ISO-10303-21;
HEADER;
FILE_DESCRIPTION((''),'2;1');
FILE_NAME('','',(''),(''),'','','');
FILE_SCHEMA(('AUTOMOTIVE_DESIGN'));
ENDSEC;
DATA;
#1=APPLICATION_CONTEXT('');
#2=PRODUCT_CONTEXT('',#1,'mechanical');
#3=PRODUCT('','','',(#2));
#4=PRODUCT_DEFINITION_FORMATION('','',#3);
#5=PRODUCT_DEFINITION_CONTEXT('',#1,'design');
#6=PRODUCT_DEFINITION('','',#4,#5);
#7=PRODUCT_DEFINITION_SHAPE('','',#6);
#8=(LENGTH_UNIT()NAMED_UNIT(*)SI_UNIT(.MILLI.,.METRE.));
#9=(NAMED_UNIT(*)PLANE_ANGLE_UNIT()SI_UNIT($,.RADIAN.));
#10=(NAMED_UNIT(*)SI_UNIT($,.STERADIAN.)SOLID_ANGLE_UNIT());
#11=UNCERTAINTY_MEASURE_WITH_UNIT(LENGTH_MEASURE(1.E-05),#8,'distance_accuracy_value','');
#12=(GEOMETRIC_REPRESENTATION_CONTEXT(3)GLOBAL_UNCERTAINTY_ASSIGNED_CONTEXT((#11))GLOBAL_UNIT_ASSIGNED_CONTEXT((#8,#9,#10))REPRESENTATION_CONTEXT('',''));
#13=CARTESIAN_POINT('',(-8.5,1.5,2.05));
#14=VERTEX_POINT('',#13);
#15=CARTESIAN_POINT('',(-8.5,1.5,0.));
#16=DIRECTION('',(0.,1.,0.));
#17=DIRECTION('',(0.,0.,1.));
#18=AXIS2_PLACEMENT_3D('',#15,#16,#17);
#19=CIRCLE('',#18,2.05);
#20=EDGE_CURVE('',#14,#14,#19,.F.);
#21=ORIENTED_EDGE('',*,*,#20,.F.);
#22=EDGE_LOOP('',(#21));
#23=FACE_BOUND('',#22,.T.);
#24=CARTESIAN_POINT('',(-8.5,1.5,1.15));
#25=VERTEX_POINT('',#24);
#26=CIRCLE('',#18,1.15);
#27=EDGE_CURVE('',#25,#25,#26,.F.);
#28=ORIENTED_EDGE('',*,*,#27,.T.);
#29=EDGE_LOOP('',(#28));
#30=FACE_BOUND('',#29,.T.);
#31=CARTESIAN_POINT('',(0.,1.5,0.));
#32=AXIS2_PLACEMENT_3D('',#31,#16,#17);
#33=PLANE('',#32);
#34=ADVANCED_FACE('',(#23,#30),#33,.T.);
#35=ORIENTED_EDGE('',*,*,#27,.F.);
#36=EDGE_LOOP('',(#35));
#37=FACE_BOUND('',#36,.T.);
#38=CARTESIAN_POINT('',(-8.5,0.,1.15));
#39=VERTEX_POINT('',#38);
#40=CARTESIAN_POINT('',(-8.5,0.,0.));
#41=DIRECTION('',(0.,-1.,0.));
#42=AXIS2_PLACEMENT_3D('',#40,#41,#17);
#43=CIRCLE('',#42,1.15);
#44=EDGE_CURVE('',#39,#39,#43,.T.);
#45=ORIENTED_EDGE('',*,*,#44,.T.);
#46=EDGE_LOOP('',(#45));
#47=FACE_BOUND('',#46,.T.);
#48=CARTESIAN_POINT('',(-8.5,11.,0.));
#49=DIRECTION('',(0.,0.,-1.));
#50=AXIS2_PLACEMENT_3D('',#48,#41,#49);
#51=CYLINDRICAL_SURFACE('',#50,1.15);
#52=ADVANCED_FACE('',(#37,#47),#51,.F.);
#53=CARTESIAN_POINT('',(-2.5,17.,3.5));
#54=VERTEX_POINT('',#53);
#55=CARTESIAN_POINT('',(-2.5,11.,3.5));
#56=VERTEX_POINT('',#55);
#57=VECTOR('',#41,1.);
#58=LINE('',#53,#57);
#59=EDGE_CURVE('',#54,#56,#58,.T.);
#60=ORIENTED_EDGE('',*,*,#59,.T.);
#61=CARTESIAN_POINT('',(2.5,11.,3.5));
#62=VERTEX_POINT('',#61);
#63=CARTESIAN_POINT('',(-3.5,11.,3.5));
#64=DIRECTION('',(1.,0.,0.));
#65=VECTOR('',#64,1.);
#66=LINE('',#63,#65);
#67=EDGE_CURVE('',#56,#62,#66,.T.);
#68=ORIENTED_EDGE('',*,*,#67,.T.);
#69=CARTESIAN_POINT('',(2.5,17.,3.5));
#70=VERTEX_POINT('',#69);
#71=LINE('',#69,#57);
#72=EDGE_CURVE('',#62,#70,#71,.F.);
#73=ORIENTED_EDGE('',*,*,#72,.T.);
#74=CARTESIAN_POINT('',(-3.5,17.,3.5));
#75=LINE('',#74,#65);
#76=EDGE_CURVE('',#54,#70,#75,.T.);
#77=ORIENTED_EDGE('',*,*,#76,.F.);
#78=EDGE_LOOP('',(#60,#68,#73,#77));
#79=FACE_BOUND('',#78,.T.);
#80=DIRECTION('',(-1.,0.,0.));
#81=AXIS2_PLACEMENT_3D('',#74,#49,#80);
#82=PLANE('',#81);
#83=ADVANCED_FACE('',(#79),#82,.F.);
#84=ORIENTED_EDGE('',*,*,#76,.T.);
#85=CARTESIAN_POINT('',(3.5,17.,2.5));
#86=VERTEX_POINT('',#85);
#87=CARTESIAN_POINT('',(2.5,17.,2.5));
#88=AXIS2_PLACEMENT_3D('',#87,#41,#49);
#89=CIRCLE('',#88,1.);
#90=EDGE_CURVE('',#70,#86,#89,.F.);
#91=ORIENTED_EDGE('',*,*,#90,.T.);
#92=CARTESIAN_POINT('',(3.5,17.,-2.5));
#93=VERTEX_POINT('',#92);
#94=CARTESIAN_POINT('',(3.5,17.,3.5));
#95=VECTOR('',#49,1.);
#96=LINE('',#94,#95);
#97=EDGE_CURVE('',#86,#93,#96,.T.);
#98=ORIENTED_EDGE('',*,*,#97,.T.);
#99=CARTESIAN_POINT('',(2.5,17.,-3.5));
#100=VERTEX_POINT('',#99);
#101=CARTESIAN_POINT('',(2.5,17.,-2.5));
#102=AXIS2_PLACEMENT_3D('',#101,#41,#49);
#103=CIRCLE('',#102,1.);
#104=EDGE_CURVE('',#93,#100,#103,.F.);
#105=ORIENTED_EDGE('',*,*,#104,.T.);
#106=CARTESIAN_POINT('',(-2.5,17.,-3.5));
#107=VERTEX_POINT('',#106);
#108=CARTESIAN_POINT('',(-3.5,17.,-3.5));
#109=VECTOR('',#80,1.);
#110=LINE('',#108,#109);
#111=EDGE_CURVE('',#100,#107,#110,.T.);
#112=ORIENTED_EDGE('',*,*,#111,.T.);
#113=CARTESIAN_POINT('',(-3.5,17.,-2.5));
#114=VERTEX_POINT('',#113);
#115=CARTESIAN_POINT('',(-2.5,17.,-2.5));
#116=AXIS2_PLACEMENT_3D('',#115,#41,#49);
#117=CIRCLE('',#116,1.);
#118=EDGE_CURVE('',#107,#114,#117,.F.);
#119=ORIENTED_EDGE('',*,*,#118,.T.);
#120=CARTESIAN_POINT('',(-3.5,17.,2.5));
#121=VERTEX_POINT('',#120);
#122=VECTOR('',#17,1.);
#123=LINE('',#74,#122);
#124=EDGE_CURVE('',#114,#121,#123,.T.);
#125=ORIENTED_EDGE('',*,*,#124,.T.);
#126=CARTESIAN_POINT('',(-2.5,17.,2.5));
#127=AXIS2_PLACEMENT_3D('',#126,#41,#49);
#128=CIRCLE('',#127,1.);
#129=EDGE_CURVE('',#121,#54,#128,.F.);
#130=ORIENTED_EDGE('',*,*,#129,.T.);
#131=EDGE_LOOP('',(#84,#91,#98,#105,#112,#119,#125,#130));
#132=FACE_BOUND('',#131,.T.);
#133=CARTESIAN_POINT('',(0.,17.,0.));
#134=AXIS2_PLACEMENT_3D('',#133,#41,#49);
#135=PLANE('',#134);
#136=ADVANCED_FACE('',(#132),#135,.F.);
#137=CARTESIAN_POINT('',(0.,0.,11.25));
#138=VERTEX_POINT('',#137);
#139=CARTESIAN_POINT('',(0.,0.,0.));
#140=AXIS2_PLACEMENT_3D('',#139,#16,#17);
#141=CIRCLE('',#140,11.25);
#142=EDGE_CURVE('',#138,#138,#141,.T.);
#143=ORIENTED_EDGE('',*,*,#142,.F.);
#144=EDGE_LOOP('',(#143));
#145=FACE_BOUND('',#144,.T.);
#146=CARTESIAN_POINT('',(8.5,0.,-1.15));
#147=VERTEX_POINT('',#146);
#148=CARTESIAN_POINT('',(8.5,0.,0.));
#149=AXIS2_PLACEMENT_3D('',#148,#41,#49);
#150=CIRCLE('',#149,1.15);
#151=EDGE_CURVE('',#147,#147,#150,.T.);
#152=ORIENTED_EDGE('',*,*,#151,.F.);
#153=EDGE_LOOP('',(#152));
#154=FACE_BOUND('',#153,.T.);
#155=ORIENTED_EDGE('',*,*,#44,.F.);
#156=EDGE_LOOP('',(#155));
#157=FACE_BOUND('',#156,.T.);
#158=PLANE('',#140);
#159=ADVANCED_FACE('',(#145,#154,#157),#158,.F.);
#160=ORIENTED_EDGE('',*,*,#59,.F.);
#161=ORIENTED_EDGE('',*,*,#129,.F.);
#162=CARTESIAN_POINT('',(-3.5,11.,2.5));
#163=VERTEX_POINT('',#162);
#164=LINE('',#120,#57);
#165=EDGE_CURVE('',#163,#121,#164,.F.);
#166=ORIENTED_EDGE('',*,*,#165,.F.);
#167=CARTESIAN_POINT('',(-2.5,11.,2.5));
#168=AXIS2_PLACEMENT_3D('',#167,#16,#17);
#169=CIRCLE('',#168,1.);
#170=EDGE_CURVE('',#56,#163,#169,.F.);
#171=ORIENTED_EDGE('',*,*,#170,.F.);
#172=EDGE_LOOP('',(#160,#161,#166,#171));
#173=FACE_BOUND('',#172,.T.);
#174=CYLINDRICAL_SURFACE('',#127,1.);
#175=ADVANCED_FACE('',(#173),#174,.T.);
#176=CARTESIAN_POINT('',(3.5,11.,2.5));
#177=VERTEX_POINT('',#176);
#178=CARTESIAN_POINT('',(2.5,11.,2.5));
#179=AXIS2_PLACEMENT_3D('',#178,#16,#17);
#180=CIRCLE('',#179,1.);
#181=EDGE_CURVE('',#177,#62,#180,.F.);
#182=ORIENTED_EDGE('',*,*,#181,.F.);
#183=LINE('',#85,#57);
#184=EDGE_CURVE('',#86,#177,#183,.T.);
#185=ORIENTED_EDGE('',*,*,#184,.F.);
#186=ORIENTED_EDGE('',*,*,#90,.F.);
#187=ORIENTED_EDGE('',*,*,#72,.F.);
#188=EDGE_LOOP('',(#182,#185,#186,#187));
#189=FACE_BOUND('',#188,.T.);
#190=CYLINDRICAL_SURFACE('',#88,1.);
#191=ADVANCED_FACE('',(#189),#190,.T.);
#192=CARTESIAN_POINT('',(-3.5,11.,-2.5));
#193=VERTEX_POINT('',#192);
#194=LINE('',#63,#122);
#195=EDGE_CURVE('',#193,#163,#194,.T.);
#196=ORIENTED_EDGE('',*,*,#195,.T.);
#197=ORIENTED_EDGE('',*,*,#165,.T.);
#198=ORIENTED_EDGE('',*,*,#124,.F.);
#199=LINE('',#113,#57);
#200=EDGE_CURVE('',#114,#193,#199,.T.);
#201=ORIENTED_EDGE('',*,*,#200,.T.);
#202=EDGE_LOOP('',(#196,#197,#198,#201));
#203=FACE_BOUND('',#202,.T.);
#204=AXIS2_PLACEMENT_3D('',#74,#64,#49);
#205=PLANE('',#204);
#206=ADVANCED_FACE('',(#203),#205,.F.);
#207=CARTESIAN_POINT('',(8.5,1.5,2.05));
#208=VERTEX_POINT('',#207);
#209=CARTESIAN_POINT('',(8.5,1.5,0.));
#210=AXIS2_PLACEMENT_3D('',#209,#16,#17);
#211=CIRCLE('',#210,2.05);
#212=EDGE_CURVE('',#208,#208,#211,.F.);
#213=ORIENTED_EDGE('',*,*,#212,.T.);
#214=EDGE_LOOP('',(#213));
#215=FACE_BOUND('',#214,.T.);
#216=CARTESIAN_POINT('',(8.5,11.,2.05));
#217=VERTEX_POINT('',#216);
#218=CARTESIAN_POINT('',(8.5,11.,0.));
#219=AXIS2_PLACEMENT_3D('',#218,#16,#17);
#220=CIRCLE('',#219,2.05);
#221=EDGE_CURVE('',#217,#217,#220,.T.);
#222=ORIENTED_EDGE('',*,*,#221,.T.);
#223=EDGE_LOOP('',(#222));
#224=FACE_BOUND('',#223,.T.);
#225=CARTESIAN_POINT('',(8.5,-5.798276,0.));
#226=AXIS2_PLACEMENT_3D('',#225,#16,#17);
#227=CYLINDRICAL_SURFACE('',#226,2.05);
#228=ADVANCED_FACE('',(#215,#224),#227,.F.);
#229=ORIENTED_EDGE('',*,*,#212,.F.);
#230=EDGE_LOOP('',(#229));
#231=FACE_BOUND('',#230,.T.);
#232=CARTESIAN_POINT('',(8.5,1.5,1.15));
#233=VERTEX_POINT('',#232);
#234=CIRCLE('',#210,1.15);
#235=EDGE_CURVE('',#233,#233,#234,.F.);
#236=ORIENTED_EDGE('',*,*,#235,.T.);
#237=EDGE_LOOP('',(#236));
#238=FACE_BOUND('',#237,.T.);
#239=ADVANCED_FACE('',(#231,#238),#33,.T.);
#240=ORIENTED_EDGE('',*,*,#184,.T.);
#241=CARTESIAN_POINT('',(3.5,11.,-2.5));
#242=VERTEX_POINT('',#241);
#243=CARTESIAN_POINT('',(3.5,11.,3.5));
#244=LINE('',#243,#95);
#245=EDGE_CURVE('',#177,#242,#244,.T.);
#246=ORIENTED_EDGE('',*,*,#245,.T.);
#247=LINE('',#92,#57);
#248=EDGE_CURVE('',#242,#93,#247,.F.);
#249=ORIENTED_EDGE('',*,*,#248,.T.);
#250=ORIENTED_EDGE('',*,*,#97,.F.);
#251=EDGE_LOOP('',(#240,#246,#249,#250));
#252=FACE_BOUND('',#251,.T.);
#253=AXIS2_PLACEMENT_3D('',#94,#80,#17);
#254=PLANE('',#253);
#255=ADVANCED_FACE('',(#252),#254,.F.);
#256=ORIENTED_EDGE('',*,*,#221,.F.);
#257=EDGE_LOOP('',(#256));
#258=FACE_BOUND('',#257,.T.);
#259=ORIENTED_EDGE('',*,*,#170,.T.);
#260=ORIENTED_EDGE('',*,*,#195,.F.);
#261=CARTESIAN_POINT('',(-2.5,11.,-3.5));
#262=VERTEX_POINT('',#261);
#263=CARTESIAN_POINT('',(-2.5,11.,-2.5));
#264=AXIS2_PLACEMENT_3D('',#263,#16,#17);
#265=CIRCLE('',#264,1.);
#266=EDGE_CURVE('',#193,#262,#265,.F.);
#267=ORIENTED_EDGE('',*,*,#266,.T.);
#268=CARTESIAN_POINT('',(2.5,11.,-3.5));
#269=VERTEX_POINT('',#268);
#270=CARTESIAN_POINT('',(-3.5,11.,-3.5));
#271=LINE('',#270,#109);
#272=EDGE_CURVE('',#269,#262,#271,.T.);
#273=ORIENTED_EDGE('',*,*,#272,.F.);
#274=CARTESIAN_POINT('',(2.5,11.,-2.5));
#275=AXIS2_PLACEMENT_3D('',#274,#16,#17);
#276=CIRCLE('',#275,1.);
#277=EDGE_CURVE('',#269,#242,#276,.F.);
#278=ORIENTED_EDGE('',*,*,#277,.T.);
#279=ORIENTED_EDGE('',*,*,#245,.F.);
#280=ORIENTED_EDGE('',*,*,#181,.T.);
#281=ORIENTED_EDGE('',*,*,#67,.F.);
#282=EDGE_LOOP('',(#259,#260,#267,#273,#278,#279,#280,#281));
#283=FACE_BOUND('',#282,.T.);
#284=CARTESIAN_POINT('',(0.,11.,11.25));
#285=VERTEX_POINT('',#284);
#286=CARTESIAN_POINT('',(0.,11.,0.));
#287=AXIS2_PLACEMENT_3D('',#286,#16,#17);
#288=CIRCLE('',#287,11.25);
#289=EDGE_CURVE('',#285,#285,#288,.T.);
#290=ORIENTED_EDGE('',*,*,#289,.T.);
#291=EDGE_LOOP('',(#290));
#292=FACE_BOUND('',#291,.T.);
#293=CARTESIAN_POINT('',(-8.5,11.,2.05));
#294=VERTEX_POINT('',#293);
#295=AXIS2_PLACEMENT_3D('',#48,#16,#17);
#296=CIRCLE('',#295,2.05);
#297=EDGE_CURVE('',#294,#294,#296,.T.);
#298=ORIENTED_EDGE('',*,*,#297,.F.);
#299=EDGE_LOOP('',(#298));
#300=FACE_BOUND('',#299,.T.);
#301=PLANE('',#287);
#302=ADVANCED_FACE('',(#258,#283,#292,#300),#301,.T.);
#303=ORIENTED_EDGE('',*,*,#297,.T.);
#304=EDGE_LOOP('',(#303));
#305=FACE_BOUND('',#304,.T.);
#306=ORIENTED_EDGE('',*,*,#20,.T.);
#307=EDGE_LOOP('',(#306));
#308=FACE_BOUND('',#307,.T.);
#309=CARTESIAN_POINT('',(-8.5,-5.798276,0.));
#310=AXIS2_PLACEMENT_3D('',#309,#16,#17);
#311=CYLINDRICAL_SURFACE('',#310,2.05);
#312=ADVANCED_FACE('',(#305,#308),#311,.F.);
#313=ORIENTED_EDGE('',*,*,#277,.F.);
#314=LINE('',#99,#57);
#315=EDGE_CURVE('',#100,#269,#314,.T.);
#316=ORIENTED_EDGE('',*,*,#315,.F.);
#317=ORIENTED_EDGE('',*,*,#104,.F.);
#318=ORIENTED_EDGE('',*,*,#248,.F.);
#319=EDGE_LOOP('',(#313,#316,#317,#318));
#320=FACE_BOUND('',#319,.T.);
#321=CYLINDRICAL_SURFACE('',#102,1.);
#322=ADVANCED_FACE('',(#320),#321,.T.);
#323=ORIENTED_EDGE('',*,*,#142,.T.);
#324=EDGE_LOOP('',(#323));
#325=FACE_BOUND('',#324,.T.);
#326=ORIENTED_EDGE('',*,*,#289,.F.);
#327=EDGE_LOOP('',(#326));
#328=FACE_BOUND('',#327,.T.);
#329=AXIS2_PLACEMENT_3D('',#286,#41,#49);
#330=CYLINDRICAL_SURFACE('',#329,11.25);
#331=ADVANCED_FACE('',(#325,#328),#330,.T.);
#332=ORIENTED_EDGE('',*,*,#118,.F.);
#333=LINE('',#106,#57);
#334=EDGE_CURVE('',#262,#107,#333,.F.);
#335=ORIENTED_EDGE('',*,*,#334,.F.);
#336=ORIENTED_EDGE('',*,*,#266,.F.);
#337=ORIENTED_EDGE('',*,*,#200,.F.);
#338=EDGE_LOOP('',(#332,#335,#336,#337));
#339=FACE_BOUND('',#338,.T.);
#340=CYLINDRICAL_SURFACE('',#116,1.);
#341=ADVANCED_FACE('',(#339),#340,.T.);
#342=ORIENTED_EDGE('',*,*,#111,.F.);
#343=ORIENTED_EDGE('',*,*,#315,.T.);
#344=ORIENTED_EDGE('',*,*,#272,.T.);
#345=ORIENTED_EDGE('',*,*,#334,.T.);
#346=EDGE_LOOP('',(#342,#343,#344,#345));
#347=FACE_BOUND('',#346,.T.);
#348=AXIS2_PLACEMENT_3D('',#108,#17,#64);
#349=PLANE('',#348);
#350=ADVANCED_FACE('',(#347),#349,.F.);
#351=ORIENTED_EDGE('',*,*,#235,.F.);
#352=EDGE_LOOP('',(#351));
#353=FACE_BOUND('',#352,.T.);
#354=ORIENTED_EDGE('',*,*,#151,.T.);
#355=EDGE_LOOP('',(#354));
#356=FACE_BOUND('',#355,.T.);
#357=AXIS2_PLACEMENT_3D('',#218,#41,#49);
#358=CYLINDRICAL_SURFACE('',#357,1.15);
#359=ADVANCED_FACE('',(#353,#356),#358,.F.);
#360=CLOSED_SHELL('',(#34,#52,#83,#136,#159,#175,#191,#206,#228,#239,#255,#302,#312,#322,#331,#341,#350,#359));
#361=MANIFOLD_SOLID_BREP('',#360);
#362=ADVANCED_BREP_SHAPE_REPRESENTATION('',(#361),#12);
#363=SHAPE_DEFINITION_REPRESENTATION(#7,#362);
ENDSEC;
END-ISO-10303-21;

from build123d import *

# Parameters (mm, degrees)
SKETCH_1_R          = 11.25
EXTRUDE_1_DEPTH     = 11
SKETCH_2_R          = 1.15
CUT_EXTRUDE_1_DEPTH = 20.342311134
SKETCH_4_W          = 7
SKETCH_4_H          = 7
EXTRUDE_3_DEPTH     = 6
SKETCH_5_R          = 2.05
CUT_EXTRUDE_2_DEPTH = 9.5
FILLET_1_R          = 1


with BuildPart() as part:
    # 草图1 → 凸台-拉伸1 (new body)
    with BuildSketch(Plane(origin=(0, 0, 0), x_dir=(1, 0, 0), z_dir=(0, 1, 0))):
        with Locations(Location((0, 0, 0), (0, 0, 270))):
            Circle(SKETCH_1_R)
    extrude(amount=EXTRUDE_1_DEPTH)

    # 草图2 → 切除-拉伸1 (cut, through all)
    with BuildSketch(Plane.XZ):
        with Locations(Location((8.5, 0, 0), (0, 0, 270))):
            Circle(SKETCH_2_R)
        with Locations(Location((-8.5, 0, 0), (0, 0, 90))):
            Circle(SKETCH_2_R)
    extrude(amount=-CUT_EXTRUDE_1_DEPTH, mode=Mode.SUBTRACT)

    # 草图4 → 凸台-拉伸3 (add)
    with BuildSketch(Plane(origin=(0, 11, 0), x_dir=(1, 0, 0), z_dir=(0, 1, 0))):
        Rectangle(SKETCH_4_W, SKETCH_4_H)
    extrude(amount=EXTRUDE_3_DEPTH)

    # 草图5 → 切除-拉伸2 (cut)
    with BuildSketch(Plane(origin=(0, 11, 0), x_dir=(1, 0, 0), z_dir=(0, 1, 0))):
        with Locations(Location((8.5, 0, 0), (0, 0, 270))):
            Circle(SKETCH_5_R)
        with Locations(Location((-8.5, 0, 0), (0, 0, 270))):
            Circle(SKETCH_5_R)
    extrude(amount=-CUT_EXTRUDE_2_DEPTH, mode=Mode.SUBTRACT)

    # 圆角1
    fillet_1_edges = [part.edges().sort_by_distance(p)[0] for p in [
        (3.5, 14, 3.5),
        (3.5, 14, -3.5),
        (-3.5, 14, -3.5),
        (-3.5, 14, 3.5),
    ]]
    fillet(fillet_1_edges, radius=FILLET_1_R)


solid = part.part
